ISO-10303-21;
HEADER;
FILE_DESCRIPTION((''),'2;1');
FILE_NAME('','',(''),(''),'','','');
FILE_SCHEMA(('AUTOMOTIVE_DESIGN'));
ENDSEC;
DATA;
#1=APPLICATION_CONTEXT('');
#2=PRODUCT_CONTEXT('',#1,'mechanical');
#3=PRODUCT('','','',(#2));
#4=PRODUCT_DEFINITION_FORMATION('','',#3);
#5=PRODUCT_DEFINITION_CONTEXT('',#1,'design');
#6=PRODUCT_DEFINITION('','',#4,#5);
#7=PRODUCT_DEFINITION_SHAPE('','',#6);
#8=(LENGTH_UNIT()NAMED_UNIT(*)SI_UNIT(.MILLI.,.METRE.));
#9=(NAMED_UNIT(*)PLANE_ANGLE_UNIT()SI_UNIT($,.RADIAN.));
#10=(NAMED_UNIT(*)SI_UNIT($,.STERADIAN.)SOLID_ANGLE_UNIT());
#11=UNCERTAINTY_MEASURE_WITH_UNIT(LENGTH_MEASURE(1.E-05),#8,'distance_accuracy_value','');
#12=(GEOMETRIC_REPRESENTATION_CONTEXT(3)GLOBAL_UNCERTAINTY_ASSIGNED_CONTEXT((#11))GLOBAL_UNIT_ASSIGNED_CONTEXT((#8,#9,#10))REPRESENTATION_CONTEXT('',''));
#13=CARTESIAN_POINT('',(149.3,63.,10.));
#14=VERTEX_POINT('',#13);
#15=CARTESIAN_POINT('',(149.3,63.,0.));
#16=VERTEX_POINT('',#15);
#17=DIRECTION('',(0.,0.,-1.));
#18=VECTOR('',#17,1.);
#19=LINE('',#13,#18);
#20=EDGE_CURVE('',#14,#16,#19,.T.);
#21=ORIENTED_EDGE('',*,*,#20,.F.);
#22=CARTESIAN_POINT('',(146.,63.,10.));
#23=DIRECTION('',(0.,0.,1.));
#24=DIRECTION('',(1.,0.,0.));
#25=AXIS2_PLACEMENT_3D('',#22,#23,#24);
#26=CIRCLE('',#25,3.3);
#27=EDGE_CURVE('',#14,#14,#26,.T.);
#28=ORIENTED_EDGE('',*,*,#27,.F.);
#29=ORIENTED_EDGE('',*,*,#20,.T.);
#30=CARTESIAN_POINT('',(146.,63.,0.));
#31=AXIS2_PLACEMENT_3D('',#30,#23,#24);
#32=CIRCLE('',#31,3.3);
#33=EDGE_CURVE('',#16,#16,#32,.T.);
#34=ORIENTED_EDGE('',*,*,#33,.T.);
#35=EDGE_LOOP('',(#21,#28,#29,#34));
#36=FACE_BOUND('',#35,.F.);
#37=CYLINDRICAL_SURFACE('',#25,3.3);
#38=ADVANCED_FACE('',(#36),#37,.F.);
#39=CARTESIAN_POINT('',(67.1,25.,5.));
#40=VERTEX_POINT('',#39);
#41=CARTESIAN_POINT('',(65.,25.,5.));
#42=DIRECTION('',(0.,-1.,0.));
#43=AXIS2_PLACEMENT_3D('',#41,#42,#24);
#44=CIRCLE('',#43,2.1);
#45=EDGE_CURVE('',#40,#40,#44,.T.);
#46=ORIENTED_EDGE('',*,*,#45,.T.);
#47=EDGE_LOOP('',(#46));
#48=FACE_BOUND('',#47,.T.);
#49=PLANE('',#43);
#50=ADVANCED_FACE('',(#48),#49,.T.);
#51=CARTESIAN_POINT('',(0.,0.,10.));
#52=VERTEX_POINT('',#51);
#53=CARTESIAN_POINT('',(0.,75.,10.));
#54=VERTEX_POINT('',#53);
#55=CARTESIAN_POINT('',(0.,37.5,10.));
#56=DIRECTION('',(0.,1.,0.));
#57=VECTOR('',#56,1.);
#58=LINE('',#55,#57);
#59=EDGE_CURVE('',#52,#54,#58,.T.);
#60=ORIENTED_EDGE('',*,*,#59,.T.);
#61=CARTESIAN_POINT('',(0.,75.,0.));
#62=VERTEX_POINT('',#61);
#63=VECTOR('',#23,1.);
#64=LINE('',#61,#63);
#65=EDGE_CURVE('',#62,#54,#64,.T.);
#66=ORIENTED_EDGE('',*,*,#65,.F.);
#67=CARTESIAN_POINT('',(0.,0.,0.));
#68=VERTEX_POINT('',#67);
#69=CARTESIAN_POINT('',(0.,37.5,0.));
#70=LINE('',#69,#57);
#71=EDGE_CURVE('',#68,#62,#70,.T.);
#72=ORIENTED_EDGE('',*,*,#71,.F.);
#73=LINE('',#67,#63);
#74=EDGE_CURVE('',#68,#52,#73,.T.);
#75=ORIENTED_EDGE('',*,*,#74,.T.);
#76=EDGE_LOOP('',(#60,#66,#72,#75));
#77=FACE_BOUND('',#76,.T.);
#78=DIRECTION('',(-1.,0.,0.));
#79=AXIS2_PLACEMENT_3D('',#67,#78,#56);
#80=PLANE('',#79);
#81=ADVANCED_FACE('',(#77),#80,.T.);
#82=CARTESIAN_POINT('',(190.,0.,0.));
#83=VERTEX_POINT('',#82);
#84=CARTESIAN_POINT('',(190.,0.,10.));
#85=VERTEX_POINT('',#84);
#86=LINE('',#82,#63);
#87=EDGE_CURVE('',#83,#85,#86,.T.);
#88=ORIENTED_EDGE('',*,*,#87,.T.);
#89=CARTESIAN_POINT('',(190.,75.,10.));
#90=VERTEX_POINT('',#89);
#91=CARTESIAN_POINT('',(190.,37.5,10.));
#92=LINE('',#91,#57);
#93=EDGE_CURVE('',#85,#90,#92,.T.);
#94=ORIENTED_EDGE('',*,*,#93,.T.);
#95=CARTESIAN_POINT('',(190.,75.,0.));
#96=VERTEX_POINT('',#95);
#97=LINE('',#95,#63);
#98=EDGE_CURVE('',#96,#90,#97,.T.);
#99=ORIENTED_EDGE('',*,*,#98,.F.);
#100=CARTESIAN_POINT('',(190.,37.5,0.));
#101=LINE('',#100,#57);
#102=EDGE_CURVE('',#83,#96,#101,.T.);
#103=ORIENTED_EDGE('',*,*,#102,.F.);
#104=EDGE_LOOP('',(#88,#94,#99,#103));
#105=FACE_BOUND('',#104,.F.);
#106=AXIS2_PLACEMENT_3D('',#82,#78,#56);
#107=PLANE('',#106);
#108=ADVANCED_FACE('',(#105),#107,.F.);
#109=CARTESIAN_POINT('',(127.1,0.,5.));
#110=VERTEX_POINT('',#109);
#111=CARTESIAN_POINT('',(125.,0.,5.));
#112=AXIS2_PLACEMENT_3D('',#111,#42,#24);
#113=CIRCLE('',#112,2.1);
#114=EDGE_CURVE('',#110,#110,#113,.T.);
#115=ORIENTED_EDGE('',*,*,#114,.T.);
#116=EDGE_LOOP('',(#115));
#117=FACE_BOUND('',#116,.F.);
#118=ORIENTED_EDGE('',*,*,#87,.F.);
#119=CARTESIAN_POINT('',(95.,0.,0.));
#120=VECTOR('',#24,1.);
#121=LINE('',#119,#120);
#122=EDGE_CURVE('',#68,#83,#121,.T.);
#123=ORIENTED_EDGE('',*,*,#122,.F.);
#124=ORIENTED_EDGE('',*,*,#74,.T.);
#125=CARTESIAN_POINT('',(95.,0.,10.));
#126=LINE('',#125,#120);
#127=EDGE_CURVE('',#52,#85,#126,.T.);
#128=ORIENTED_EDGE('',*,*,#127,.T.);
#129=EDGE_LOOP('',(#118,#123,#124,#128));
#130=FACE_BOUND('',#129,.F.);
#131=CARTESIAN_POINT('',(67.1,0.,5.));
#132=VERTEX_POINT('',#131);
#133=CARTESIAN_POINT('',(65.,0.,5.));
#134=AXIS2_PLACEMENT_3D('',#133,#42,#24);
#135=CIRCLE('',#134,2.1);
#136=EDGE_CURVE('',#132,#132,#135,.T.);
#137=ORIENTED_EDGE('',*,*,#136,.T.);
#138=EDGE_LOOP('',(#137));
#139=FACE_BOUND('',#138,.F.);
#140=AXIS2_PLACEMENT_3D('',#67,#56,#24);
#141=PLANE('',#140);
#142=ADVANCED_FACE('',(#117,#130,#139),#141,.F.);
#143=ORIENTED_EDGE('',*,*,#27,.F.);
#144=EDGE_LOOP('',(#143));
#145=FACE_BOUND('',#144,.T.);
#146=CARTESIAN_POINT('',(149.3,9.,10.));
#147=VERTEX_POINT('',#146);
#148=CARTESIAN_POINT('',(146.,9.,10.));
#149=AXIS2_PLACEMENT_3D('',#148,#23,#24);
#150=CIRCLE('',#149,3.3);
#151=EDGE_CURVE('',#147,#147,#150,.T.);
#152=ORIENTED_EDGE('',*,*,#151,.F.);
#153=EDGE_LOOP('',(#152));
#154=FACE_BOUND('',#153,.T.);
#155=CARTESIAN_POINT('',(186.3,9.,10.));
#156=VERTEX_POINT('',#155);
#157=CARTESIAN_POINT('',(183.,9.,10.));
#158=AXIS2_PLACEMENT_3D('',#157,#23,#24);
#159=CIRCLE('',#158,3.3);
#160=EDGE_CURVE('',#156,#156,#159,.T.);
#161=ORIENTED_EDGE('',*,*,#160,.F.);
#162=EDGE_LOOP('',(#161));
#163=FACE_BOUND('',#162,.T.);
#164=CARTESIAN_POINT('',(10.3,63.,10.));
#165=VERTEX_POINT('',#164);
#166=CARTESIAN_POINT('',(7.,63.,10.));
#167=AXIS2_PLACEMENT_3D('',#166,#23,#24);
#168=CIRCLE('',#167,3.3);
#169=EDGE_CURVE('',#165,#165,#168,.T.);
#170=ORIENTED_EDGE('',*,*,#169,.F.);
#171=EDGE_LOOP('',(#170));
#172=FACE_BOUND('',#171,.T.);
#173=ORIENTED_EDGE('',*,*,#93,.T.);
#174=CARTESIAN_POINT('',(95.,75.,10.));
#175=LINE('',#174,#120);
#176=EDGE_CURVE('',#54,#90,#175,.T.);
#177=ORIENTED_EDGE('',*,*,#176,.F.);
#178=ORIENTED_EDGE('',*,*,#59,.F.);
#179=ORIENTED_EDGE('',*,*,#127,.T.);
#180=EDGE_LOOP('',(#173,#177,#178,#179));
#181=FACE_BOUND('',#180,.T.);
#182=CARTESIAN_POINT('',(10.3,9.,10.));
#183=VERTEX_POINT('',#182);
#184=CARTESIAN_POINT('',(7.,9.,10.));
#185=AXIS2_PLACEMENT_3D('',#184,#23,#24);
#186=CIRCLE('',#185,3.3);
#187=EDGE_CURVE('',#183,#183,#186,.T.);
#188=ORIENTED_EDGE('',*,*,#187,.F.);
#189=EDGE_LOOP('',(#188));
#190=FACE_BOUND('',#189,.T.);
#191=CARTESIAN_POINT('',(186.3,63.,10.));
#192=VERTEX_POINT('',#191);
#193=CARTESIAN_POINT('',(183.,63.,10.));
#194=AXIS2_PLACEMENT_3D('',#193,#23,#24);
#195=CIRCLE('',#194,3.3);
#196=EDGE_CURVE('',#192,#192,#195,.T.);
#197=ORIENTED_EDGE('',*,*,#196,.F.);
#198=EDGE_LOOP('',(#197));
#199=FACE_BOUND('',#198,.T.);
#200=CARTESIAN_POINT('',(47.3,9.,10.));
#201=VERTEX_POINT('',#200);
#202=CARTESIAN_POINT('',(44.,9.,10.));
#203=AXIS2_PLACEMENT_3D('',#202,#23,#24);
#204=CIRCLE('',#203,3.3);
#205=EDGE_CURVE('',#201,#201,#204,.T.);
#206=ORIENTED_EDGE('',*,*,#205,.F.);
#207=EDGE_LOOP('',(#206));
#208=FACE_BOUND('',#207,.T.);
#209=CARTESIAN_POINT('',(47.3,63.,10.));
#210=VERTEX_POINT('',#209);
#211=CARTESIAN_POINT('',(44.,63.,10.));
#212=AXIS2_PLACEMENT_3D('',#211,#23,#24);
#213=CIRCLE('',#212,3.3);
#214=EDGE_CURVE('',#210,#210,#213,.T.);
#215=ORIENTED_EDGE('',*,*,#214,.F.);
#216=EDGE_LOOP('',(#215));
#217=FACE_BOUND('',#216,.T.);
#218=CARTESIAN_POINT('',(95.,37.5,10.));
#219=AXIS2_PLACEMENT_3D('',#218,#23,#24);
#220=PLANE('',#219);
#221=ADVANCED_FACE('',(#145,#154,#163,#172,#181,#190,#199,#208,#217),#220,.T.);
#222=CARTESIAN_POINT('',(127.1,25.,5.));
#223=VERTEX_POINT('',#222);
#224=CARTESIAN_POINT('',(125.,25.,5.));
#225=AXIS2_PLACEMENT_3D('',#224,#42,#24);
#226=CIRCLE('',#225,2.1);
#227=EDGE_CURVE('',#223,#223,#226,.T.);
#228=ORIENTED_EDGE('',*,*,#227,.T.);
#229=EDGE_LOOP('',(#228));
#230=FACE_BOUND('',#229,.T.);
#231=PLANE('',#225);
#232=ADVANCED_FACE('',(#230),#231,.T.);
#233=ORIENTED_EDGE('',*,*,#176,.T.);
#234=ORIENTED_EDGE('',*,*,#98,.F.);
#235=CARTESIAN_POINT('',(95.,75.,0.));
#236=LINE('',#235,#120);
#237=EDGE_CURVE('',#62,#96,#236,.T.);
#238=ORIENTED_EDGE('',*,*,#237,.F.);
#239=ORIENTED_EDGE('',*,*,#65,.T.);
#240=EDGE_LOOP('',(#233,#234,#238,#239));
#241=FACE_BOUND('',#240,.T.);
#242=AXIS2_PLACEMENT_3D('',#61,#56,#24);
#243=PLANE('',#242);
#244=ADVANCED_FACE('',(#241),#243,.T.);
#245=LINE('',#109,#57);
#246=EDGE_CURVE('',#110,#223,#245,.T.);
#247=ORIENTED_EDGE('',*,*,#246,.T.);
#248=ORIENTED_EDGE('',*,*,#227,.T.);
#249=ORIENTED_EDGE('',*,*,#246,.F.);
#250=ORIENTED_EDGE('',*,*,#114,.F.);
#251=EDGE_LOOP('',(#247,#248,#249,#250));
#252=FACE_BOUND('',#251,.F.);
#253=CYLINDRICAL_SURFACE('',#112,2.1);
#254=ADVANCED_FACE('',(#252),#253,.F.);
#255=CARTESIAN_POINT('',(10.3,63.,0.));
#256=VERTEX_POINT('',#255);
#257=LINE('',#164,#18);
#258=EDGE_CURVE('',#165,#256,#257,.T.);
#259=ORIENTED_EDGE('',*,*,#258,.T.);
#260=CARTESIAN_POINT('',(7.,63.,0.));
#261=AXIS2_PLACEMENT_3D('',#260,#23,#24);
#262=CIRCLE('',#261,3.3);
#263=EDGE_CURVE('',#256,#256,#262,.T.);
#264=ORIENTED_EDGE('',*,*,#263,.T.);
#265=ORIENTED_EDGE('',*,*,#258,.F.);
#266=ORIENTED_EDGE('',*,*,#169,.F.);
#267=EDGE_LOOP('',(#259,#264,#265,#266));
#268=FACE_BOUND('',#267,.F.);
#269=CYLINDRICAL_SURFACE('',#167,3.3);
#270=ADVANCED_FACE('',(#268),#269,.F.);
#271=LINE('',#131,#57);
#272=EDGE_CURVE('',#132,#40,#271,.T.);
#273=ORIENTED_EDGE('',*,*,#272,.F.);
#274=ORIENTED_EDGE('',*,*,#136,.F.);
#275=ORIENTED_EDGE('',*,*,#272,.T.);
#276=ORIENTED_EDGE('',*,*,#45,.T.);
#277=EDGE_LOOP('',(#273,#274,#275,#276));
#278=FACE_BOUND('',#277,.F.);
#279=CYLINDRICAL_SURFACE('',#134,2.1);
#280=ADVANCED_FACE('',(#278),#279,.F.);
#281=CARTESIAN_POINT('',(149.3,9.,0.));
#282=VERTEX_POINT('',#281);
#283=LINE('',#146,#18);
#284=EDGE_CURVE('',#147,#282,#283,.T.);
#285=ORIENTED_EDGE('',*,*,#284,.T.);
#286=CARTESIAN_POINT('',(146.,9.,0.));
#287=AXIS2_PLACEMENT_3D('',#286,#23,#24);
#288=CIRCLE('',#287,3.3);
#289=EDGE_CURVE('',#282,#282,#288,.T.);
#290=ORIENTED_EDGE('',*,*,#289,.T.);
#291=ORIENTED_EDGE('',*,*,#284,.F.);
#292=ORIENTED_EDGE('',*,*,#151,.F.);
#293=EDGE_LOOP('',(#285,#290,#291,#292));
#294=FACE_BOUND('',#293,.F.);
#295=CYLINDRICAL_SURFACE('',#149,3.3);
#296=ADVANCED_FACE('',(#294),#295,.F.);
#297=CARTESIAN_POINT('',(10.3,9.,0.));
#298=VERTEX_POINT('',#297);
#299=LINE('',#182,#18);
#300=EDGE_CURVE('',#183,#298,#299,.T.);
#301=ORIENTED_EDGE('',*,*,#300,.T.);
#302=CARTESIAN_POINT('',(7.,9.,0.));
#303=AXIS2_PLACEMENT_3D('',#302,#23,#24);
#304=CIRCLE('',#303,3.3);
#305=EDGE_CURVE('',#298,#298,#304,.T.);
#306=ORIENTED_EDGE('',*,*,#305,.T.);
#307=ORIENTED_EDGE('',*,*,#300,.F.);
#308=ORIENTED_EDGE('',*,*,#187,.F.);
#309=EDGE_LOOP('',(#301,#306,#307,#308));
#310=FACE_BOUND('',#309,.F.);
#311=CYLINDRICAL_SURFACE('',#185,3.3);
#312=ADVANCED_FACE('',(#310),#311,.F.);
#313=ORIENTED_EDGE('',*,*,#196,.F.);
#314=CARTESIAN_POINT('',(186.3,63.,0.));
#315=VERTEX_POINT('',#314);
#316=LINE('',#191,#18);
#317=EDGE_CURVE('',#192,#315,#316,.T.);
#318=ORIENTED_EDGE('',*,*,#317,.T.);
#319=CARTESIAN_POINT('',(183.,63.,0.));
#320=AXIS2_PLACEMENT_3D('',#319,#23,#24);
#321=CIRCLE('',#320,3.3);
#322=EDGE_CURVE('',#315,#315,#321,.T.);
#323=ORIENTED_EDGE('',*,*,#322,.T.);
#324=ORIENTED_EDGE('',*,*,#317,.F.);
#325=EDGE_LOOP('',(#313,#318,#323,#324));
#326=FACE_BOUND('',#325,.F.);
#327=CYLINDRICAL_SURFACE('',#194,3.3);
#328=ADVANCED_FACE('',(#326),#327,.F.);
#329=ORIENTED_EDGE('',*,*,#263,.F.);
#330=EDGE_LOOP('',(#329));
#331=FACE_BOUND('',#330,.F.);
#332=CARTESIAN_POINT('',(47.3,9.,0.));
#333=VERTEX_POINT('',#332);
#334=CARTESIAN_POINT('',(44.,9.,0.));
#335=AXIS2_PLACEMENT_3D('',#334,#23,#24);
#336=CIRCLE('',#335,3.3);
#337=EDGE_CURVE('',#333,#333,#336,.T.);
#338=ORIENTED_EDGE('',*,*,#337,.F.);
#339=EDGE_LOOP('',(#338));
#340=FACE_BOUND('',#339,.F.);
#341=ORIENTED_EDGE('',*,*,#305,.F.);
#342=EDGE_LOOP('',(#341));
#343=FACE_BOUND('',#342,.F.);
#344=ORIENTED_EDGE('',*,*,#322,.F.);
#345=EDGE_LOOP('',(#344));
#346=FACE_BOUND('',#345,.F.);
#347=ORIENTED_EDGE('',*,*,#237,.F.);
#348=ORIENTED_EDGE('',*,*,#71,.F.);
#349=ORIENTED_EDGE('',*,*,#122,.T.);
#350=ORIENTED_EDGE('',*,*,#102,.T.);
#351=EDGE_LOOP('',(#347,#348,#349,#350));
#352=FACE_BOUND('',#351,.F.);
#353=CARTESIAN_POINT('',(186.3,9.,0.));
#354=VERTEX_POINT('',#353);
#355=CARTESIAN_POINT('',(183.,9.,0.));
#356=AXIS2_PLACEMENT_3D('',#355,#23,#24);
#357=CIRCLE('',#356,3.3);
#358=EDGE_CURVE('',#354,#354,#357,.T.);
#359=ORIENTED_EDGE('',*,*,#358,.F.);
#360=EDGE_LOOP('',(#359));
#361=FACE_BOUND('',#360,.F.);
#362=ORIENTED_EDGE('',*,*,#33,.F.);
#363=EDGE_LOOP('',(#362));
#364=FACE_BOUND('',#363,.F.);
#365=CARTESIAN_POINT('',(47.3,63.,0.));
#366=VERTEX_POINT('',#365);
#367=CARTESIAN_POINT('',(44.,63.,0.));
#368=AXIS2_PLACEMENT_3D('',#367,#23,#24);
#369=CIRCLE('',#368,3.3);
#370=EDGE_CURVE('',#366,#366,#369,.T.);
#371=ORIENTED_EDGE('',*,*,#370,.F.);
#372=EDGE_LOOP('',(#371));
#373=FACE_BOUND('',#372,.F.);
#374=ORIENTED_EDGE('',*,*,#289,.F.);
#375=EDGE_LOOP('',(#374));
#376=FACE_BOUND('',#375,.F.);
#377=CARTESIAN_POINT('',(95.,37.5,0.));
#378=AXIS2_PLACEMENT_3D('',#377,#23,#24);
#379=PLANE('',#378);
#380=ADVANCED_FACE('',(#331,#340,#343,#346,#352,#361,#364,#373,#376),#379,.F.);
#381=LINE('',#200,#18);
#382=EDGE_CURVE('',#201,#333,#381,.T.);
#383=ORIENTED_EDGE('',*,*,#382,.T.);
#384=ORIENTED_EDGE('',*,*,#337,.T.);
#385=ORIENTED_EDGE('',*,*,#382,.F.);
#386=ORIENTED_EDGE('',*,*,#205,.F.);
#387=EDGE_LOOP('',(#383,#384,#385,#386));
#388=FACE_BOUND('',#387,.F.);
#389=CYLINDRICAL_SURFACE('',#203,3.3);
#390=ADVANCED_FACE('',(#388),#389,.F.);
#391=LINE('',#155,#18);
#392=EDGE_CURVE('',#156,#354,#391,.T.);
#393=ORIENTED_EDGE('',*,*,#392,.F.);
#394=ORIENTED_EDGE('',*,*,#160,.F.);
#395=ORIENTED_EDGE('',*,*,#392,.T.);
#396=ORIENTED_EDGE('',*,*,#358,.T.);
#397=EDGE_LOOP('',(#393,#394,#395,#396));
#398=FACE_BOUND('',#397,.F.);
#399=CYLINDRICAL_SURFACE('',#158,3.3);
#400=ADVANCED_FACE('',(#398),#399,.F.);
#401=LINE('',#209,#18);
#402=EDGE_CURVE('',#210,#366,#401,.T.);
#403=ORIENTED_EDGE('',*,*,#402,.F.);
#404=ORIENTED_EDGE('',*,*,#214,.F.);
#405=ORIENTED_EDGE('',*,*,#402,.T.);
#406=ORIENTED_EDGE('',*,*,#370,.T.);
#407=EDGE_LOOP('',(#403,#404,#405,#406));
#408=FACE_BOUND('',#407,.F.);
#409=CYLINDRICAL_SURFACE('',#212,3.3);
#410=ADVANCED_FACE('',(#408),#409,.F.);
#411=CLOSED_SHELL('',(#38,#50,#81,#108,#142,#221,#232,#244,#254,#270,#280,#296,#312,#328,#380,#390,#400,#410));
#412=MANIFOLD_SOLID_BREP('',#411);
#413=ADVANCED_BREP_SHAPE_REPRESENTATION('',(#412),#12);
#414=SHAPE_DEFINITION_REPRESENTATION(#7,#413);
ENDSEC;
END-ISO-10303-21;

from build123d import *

# Parameters (mm, degrees)
SKETCH_W               = 190
SKETCH_H               = 75
PAD_DEPTH              = 10
SKETCH001_R            = 3.3
HOLE_DEPTH             = 10.001
LINEARPATTERN_COUNT    = 2
LINEARPATTERN_PITCH    = 37
LINEARPATTERN001_COUNT = 2
LINEARPATTERN001_PITCH = 139
LINEARPATTERN002_COUNT = 2
LINEARPATTERN002_PITCH = 176
SKETCH002_R            = 3.3
HOLE001_DEPTH          = 10.001
LINEARPATTERN003_COUNT = 2
LINEARPATTERN003_PITCH = 37
LINEARPATTERN004_COUNT = 2
LINEARPATTERN004_PITCH = 139
LINEARPATTERN005_COUNT = 2
LINEARPATTERN005_PITCH = 176
SKETCH003_R            = 2.1
HOLE002_DEPTH          = 25
LINEARPATTERN006_COUNT = 2
LINEARPATTERN006_PITCH = 60


with BuildPart() as part:
    # Sketch → Pad (new body)
    with BuildSketch(Plane.XY):
        with Locations((95, 37.5)):
            Rectangle(SKETCH_W, SKETCH_H)
    extrude(amount=PAD_DEPTH)

    # Sketch001 (on Face6 of Pad) → Hole (cut, through all)
    with BuildSketch(Plane.XY.offset(10)):
        with Locations((7, 9)):
            Circle(SKETCH001_R)
    hole = extrude(amount=-HOLE_DEPTH, mode=Mode.SUBTRACT)

    # LinearPattern: Hole ×2
    with Locations(*[(i * LINEARPATTERN_PITCH, 0, 0) for i in range(1, LINEARPATTERN_COUNT)]):
        add(hole, mode=Mode.SUBTRACT)

    # LinearPattern001: Hole ×2
    with Locations(*[(i * LINEARPATTERN001_PITCH, 0, 0) for i in range(1, LINEARPATTERN001_COUNT)]):
        add(hole, mode=Mode.SUBTRACT)

    # LinearPattern002: Hole ×2
    with Locations(*[(i * LINEARPATTERN002_PITCH, 0, 0) for i in range(1, LINEARPATTERN002_COUNT)]):
        add(hole, mode=Mode.SUBTRACT)

    # Sketch002 (on Face5 of LinearPattern002) → Hole001 (cut, through all)
    with BuildSketch(Plane.XY.offset(10)):
        with Locations((7, 63)):
            Circle(SKETCH002_R)
    hole001 = extrude(amount=-HOLE001_DEPTH, mode=Mode.SUBTRACT)

    # LinearPattern003: Hole001 ×2
    with Locations(*[(i * LINEARPATTERN003_PITCH, 0, 0) for i in range(1, LINEARPATTERN003_COUNT)]):
        add(hole001, mode=Mode.SUBTRACT)

    # LinearPattern004: Hole001 ×2
    with Locations(*[(i * LINEARPATTERN004_PITCH, 0, 0) for i in range(1, LINEARPATTERN004_COUNT)]):
        add(hole001, mode=Mode.SUBTRACT)

    # LinearPattern005: Hole001 ×2
    with Locations(*[(i * LINEARPATTERN005_PITCH, 0, 0) for i in range(1, LINEARPATTERN005_COUNT)]):
        add(hole001, mode=Mode.SUBTRACT)

    # Sketch003 (on Face1 of LinearPattern005) → Hole002 (cut)
    with BuildSketch(Plane.XZ):
        with Locations((65, 5)):
            Circle(SKETCH003_R)
    hole002 = extrude(amount=-HOLE002_DEPTH, mode=Mode.SUBTRACT)

    # LinearPattern006: Hole002 ×2
    with Locations(*[(i * LINEARPATTERN006_PITCH, 0, 0) for i in range(1, LINEARPATTERN006_COUNT)]):
        add(hole002, mode=Mode.SUBTRACT)


solid = part.part
